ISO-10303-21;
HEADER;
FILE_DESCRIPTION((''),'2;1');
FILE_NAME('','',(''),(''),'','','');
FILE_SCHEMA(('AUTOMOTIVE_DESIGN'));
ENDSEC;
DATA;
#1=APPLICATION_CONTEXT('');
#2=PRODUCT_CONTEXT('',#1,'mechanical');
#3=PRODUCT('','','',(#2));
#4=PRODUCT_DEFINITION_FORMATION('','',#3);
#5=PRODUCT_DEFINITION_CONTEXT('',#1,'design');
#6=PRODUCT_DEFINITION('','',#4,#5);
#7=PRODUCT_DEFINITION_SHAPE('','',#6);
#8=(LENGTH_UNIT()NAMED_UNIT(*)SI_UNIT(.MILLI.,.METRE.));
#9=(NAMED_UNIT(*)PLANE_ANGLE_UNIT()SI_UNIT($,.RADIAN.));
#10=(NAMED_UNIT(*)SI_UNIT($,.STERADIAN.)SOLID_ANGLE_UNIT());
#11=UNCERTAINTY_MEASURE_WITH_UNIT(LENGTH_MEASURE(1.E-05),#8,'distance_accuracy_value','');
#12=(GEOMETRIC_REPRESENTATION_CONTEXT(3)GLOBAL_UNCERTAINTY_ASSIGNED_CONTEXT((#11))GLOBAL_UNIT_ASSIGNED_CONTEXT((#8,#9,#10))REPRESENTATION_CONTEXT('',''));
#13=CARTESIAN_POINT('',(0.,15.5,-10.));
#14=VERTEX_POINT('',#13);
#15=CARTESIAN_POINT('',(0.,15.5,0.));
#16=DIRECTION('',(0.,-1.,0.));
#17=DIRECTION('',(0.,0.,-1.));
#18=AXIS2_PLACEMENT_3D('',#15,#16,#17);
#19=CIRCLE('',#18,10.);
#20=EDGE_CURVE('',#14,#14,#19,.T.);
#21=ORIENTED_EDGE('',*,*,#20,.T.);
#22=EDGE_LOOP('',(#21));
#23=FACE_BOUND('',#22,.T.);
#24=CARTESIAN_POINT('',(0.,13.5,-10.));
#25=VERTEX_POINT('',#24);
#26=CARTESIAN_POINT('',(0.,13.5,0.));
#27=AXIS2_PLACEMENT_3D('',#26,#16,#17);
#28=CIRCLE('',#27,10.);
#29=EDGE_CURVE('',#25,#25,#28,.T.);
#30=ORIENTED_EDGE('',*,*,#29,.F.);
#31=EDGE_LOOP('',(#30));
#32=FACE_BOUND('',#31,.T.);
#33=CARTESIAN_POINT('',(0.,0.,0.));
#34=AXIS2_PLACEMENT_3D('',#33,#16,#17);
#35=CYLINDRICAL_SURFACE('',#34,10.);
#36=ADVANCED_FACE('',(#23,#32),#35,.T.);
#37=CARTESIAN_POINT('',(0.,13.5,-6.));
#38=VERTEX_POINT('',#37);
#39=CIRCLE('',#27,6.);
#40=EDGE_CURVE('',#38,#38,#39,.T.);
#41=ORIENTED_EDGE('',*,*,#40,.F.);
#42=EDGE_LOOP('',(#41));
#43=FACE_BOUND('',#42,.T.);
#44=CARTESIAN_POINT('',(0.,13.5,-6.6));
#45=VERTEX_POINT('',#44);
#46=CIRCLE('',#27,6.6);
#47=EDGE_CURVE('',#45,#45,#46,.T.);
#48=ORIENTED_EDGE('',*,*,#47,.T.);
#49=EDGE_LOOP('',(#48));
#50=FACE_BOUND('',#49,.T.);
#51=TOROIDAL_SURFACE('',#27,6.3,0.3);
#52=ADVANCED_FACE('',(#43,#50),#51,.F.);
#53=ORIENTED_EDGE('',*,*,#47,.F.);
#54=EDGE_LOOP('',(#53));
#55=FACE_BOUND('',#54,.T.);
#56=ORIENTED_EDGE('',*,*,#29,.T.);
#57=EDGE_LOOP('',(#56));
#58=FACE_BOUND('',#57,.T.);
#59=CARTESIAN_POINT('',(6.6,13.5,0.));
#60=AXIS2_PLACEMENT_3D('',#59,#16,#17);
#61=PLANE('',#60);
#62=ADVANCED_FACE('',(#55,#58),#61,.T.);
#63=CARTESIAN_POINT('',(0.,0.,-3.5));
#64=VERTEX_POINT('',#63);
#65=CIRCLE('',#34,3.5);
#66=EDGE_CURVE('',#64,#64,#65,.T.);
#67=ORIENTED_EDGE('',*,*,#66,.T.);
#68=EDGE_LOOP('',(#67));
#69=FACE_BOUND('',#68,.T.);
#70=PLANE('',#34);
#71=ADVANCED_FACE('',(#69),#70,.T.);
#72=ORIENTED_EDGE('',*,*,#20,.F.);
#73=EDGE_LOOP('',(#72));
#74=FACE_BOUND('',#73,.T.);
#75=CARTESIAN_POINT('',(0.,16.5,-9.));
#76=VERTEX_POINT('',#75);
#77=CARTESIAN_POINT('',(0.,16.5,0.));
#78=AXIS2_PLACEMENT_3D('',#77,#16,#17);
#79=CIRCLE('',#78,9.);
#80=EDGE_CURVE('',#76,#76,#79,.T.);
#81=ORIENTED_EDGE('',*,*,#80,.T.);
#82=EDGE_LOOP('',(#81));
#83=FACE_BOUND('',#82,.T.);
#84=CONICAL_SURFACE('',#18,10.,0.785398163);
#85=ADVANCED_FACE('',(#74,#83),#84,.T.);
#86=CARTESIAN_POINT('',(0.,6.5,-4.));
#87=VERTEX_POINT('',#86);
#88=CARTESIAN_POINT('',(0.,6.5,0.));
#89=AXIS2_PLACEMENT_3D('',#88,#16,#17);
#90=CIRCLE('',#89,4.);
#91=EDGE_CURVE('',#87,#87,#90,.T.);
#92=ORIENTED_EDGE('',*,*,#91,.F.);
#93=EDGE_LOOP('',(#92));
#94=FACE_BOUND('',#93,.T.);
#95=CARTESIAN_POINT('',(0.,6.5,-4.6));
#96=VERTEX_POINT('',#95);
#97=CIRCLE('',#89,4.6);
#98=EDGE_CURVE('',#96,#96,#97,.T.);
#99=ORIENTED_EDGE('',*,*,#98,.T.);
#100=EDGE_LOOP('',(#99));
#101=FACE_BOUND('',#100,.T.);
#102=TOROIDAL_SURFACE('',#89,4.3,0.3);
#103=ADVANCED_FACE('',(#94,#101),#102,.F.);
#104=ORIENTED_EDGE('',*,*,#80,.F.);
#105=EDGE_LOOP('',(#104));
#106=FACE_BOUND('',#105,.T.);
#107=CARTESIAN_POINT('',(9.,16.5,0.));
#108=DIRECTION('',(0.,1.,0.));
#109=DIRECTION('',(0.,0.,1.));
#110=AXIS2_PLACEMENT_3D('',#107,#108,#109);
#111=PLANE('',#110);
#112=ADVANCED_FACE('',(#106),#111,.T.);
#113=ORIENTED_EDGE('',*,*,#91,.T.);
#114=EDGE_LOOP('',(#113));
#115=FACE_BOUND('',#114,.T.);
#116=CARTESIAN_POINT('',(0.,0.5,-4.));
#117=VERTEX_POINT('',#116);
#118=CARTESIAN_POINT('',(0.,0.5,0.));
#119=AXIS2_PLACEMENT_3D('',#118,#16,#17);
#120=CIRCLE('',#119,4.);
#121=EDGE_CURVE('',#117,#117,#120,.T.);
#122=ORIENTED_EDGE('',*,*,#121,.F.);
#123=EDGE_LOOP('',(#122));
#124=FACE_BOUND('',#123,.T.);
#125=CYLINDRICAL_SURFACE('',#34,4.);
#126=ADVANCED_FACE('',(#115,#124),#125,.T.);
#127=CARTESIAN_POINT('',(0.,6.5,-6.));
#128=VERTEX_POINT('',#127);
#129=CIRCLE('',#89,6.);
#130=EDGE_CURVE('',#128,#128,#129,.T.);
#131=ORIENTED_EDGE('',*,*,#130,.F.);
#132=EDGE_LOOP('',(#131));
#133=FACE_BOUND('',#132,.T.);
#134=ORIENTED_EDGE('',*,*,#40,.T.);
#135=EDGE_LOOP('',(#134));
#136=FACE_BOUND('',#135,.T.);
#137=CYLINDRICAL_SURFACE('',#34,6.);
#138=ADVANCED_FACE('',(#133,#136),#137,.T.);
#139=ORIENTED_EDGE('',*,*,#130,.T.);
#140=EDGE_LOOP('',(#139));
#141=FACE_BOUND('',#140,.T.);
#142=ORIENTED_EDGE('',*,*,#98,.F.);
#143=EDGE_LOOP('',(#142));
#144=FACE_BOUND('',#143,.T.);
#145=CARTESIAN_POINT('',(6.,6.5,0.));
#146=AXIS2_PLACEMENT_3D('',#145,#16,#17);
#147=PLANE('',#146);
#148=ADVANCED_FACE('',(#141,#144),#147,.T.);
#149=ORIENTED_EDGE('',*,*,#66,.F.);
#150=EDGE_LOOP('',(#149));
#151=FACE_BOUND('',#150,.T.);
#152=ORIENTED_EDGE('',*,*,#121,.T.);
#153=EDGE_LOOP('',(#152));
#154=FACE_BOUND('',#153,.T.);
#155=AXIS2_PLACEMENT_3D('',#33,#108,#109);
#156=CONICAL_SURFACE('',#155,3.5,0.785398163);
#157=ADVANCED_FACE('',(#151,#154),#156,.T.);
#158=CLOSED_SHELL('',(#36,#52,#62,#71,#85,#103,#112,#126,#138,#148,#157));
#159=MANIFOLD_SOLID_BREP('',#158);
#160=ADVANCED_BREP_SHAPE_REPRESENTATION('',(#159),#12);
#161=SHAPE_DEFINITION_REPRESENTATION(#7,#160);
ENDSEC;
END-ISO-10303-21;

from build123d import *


with BuildPart() as part:
    # Esquisse1 → Base-Révolution (revolve)
    with BuildSketch(Plane.XY, mode=Mode.PRIVATE) as base_r_volution_sk:
        with BuildLine():
            Line((0, 0), (3.5, 0))
            Line((3.5, 0), (4, 0.5))
            Line((4, 0.5), (4, 6.5))
            ThreePointArc((4, 6.5), (4.3, 6.8), (4.6, 6.5))
            Line((4.6, 6.5), (6, 6.5))
            Line((6, 6.5), (6, 13.5))
            ThreePointArc((6, 13.5), (6.3, 13.8), (6.6, 13.5))
            Line((6.6, 13.5), (10, 13.5))
            Line((10, 13.5), (10, 15.5))
            Line((10, 15.5), (9, 16.5))
            Line((9, 16.5), (0, 16.5))
            Line((0, 16.5), (0, 0))
        make_face()
    revolve(base_r_volution_sk.sketch.rotate(Axis((0, 0, 0), (0, 1, 0)), 90), axis=Axis((0, 0, 0), (0, 1, 0)))


solid = part.part
